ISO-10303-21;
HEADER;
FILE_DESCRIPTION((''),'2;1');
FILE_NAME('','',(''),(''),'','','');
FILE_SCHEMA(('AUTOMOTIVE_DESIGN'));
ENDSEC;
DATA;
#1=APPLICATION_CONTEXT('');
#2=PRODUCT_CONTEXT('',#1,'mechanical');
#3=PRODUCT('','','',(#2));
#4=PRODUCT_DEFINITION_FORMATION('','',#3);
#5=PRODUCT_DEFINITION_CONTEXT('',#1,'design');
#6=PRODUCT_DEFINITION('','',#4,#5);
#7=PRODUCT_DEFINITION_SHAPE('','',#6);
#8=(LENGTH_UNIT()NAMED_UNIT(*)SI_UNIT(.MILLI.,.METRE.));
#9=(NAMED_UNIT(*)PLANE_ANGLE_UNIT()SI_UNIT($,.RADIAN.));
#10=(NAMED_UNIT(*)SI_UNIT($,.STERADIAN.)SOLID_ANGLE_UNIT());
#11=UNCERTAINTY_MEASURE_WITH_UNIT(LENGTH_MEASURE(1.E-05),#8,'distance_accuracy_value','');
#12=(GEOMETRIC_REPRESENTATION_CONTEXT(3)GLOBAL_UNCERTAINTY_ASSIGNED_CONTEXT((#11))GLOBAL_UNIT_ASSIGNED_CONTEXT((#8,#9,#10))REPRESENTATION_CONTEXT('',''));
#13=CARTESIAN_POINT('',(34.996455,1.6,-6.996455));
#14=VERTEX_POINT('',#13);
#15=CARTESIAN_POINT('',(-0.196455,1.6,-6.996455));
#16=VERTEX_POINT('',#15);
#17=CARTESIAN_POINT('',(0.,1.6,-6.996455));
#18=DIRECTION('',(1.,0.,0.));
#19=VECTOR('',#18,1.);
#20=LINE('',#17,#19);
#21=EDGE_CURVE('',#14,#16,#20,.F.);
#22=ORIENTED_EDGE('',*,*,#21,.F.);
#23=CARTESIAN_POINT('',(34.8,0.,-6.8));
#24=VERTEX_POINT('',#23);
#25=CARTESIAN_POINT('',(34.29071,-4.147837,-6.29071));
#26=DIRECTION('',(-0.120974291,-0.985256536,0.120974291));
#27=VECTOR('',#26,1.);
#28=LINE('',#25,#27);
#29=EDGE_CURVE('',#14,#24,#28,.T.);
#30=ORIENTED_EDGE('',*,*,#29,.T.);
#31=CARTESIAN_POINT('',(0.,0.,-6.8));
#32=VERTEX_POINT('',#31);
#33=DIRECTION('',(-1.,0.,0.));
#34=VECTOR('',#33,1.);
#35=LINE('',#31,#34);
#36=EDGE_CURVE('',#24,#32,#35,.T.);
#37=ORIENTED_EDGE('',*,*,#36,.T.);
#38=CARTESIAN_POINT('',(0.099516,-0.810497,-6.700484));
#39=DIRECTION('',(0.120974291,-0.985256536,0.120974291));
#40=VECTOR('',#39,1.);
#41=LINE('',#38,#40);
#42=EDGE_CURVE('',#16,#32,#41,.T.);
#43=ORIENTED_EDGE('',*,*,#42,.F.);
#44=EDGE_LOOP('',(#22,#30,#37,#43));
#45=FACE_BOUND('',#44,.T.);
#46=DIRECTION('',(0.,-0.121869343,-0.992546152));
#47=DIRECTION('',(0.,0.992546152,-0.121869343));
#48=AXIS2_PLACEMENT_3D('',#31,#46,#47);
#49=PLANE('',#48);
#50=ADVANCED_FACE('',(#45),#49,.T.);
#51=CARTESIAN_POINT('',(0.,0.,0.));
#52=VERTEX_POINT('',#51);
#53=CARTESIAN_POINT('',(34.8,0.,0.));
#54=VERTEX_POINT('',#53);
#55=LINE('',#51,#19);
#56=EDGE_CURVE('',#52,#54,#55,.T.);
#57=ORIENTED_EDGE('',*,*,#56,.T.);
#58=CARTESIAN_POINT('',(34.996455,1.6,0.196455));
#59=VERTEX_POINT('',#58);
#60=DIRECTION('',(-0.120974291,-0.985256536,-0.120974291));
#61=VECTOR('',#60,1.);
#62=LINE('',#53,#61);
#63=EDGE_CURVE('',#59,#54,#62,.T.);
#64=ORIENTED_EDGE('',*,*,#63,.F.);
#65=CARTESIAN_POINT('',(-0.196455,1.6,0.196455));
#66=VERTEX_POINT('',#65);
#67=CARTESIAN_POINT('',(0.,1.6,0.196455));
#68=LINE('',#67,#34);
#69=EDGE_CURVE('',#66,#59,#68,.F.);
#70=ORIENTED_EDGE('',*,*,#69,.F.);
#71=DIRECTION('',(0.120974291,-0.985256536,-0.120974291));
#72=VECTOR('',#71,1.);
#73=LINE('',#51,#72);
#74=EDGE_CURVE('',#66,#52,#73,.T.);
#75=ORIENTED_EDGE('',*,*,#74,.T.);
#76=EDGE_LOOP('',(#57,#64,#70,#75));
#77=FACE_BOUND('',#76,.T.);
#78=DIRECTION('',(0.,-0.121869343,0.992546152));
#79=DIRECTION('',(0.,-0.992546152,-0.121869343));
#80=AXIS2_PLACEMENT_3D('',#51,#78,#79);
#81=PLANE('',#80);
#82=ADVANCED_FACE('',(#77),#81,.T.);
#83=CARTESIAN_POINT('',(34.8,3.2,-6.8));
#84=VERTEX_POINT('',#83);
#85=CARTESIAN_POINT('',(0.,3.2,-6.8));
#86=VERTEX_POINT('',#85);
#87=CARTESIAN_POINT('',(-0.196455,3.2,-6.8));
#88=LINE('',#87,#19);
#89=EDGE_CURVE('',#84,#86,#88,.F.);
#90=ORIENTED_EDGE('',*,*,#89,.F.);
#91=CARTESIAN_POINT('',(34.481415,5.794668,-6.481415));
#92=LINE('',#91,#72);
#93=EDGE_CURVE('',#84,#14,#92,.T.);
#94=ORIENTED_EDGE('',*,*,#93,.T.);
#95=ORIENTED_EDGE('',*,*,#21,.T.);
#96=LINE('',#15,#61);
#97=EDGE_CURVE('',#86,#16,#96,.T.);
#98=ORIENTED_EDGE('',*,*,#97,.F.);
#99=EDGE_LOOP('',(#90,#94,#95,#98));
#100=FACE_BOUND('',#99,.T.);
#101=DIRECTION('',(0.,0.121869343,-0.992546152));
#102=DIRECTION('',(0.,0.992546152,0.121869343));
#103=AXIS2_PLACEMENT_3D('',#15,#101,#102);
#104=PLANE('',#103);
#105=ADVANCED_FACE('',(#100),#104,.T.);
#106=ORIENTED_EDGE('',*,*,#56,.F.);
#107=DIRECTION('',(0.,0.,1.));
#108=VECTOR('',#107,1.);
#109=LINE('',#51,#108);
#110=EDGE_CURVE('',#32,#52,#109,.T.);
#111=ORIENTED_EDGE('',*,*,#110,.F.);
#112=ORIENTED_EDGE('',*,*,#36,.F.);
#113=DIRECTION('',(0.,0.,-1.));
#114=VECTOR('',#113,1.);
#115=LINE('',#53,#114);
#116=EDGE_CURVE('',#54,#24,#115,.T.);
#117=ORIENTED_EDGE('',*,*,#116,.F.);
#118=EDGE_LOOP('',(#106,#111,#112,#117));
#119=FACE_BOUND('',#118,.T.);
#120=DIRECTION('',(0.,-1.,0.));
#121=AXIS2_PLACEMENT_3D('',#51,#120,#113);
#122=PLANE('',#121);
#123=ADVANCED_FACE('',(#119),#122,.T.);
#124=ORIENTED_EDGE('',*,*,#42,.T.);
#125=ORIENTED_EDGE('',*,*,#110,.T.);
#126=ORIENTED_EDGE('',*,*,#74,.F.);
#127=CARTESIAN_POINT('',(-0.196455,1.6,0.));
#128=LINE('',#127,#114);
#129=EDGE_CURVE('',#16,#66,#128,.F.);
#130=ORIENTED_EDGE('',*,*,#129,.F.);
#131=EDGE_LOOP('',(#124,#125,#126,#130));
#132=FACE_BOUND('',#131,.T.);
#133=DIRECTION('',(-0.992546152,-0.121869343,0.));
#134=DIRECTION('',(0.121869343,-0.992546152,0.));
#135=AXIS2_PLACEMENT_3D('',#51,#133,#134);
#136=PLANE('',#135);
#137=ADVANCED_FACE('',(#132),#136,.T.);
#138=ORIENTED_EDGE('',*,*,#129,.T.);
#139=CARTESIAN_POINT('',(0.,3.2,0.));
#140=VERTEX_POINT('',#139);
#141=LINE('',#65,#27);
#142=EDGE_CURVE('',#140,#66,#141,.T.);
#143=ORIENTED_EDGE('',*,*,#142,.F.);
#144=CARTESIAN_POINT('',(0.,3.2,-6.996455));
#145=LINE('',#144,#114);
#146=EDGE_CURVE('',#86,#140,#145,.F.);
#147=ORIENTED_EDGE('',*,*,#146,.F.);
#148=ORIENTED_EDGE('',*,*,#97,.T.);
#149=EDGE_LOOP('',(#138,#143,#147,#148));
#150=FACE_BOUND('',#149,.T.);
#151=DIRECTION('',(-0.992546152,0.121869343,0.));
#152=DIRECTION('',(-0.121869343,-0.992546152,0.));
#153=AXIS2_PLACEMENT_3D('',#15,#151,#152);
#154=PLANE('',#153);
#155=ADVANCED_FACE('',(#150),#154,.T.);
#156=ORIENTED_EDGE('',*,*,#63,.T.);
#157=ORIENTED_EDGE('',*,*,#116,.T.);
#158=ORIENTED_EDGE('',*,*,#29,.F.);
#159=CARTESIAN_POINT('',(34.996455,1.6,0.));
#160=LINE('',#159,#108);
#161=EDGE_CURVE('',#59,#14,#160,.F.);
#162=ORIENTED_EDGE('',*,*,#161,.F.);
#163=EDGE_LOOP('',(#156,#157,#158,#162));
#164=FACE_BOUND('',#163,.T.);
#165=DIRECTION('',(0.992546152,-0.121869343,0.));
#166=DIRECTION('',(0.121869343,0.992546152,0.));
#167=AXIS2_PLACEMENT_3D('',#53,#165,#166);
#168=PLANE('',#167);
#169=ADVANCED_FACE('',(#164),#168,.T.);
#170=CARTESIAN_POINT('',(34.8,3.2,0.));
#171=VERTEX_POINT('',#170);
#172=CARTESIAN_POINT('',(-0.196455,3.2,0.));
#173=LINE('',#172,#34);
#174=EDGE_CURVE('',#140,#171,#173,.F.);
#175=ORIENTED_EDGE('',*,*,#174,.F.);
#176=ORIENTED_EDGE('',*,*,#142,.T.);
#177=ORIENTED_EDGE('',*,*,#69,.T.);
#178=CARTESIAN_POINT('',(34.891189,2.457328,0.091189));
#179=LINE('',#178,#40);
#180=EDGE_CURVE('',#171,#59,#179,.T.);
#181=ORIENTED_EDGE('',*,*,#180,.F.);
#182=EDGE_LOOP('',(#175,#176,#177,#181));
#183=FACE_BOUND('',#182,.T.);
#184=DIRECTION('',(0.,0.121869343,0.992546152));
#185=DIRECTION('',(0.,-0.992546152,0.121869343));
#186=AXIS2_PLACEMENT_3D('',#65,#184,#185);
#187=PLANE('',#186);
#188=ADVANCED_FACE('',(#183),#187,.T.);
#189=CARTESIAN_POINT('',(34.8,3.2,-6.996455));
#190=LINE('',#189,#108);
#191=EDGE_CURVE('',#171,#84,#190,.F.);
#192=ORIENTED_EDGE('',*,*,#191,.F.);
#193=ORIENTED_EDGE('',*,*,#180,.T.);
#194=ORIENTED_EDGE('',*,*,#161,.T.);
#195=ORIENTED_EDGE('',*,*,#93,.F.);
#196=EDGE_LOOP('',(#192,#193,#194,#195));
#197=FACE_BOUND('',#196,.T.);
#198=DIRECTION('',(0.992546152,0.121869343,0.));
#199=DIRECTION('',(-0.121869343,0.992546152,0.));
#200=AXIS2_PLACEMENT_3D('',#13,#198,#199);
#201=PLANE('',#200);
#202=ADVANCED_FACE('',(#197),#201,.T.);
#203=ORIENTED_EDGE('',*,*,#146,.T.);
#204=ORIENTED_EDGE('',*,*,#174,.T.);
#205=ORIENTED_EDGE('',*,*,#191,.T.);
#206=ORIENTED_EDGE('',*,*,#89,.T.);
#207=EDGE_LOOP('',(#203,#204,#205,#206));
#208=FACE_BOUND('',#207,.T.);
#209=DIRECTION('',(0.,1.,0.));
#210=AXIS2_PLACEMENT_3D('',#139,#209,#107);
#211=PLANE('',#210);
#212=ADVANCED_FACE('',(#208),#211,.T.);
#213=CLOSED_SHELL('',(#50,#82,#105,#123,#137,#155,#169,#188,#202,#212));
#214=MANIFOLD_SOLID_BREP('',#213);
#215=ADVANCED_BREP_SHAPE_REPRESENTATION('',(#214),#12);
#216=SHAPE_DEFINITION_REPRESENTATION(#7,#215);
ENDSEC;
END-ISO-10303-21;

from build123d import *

# Parameters (mm, degrees)
ESQUISSE1_W        = 34.8
ESQUISSE1_H        = 6.8
BOSS_EXTRU_1_DEPTH = 1.6
BOSS_EXTRU_1_TAPER = -7
ESQUISSE2_W        = 35.192910594
ESQUISSE2_H        = 7.192910594
BOSS_EXTRU_2_DEPTH = 1.6
BOSS_EXTRU_2_TAPER = 7


with BuildPart() as part:
    # Esquisse1 → Boss.-Extru.1 (new body)
    with BuildSketch(Plane(origin=(0, 0, 0), x_dir=(1, 0, 0), z_dir=(0, 1, 0))):
        with Locations((17.4, 3.4)):
            Rectangle(ESQUISSE1_W, ESQUISSE1_H)
    extrude(amount=BOSS_EXTRU_1_DEPTH, taper=BOSS_EXTRU_1_TAPER)

    # Esquisse2 → Boss.-Extru.2 (add)
    with BuildSketch(Plane(origin=(0, 1.6, 0), x_dir=(1, 0, 0), z_dir=(0, 1, 0))):
        with Locations((17.4, 3.4)):
            Rectangle(ESQUISSE2_W, ESQUISSE2_H)
    extrude(amount=BOSS_EXTRU_2_DEPTH, taper=BOSS_EXTRU_2_TAPER)


solid = part.part
